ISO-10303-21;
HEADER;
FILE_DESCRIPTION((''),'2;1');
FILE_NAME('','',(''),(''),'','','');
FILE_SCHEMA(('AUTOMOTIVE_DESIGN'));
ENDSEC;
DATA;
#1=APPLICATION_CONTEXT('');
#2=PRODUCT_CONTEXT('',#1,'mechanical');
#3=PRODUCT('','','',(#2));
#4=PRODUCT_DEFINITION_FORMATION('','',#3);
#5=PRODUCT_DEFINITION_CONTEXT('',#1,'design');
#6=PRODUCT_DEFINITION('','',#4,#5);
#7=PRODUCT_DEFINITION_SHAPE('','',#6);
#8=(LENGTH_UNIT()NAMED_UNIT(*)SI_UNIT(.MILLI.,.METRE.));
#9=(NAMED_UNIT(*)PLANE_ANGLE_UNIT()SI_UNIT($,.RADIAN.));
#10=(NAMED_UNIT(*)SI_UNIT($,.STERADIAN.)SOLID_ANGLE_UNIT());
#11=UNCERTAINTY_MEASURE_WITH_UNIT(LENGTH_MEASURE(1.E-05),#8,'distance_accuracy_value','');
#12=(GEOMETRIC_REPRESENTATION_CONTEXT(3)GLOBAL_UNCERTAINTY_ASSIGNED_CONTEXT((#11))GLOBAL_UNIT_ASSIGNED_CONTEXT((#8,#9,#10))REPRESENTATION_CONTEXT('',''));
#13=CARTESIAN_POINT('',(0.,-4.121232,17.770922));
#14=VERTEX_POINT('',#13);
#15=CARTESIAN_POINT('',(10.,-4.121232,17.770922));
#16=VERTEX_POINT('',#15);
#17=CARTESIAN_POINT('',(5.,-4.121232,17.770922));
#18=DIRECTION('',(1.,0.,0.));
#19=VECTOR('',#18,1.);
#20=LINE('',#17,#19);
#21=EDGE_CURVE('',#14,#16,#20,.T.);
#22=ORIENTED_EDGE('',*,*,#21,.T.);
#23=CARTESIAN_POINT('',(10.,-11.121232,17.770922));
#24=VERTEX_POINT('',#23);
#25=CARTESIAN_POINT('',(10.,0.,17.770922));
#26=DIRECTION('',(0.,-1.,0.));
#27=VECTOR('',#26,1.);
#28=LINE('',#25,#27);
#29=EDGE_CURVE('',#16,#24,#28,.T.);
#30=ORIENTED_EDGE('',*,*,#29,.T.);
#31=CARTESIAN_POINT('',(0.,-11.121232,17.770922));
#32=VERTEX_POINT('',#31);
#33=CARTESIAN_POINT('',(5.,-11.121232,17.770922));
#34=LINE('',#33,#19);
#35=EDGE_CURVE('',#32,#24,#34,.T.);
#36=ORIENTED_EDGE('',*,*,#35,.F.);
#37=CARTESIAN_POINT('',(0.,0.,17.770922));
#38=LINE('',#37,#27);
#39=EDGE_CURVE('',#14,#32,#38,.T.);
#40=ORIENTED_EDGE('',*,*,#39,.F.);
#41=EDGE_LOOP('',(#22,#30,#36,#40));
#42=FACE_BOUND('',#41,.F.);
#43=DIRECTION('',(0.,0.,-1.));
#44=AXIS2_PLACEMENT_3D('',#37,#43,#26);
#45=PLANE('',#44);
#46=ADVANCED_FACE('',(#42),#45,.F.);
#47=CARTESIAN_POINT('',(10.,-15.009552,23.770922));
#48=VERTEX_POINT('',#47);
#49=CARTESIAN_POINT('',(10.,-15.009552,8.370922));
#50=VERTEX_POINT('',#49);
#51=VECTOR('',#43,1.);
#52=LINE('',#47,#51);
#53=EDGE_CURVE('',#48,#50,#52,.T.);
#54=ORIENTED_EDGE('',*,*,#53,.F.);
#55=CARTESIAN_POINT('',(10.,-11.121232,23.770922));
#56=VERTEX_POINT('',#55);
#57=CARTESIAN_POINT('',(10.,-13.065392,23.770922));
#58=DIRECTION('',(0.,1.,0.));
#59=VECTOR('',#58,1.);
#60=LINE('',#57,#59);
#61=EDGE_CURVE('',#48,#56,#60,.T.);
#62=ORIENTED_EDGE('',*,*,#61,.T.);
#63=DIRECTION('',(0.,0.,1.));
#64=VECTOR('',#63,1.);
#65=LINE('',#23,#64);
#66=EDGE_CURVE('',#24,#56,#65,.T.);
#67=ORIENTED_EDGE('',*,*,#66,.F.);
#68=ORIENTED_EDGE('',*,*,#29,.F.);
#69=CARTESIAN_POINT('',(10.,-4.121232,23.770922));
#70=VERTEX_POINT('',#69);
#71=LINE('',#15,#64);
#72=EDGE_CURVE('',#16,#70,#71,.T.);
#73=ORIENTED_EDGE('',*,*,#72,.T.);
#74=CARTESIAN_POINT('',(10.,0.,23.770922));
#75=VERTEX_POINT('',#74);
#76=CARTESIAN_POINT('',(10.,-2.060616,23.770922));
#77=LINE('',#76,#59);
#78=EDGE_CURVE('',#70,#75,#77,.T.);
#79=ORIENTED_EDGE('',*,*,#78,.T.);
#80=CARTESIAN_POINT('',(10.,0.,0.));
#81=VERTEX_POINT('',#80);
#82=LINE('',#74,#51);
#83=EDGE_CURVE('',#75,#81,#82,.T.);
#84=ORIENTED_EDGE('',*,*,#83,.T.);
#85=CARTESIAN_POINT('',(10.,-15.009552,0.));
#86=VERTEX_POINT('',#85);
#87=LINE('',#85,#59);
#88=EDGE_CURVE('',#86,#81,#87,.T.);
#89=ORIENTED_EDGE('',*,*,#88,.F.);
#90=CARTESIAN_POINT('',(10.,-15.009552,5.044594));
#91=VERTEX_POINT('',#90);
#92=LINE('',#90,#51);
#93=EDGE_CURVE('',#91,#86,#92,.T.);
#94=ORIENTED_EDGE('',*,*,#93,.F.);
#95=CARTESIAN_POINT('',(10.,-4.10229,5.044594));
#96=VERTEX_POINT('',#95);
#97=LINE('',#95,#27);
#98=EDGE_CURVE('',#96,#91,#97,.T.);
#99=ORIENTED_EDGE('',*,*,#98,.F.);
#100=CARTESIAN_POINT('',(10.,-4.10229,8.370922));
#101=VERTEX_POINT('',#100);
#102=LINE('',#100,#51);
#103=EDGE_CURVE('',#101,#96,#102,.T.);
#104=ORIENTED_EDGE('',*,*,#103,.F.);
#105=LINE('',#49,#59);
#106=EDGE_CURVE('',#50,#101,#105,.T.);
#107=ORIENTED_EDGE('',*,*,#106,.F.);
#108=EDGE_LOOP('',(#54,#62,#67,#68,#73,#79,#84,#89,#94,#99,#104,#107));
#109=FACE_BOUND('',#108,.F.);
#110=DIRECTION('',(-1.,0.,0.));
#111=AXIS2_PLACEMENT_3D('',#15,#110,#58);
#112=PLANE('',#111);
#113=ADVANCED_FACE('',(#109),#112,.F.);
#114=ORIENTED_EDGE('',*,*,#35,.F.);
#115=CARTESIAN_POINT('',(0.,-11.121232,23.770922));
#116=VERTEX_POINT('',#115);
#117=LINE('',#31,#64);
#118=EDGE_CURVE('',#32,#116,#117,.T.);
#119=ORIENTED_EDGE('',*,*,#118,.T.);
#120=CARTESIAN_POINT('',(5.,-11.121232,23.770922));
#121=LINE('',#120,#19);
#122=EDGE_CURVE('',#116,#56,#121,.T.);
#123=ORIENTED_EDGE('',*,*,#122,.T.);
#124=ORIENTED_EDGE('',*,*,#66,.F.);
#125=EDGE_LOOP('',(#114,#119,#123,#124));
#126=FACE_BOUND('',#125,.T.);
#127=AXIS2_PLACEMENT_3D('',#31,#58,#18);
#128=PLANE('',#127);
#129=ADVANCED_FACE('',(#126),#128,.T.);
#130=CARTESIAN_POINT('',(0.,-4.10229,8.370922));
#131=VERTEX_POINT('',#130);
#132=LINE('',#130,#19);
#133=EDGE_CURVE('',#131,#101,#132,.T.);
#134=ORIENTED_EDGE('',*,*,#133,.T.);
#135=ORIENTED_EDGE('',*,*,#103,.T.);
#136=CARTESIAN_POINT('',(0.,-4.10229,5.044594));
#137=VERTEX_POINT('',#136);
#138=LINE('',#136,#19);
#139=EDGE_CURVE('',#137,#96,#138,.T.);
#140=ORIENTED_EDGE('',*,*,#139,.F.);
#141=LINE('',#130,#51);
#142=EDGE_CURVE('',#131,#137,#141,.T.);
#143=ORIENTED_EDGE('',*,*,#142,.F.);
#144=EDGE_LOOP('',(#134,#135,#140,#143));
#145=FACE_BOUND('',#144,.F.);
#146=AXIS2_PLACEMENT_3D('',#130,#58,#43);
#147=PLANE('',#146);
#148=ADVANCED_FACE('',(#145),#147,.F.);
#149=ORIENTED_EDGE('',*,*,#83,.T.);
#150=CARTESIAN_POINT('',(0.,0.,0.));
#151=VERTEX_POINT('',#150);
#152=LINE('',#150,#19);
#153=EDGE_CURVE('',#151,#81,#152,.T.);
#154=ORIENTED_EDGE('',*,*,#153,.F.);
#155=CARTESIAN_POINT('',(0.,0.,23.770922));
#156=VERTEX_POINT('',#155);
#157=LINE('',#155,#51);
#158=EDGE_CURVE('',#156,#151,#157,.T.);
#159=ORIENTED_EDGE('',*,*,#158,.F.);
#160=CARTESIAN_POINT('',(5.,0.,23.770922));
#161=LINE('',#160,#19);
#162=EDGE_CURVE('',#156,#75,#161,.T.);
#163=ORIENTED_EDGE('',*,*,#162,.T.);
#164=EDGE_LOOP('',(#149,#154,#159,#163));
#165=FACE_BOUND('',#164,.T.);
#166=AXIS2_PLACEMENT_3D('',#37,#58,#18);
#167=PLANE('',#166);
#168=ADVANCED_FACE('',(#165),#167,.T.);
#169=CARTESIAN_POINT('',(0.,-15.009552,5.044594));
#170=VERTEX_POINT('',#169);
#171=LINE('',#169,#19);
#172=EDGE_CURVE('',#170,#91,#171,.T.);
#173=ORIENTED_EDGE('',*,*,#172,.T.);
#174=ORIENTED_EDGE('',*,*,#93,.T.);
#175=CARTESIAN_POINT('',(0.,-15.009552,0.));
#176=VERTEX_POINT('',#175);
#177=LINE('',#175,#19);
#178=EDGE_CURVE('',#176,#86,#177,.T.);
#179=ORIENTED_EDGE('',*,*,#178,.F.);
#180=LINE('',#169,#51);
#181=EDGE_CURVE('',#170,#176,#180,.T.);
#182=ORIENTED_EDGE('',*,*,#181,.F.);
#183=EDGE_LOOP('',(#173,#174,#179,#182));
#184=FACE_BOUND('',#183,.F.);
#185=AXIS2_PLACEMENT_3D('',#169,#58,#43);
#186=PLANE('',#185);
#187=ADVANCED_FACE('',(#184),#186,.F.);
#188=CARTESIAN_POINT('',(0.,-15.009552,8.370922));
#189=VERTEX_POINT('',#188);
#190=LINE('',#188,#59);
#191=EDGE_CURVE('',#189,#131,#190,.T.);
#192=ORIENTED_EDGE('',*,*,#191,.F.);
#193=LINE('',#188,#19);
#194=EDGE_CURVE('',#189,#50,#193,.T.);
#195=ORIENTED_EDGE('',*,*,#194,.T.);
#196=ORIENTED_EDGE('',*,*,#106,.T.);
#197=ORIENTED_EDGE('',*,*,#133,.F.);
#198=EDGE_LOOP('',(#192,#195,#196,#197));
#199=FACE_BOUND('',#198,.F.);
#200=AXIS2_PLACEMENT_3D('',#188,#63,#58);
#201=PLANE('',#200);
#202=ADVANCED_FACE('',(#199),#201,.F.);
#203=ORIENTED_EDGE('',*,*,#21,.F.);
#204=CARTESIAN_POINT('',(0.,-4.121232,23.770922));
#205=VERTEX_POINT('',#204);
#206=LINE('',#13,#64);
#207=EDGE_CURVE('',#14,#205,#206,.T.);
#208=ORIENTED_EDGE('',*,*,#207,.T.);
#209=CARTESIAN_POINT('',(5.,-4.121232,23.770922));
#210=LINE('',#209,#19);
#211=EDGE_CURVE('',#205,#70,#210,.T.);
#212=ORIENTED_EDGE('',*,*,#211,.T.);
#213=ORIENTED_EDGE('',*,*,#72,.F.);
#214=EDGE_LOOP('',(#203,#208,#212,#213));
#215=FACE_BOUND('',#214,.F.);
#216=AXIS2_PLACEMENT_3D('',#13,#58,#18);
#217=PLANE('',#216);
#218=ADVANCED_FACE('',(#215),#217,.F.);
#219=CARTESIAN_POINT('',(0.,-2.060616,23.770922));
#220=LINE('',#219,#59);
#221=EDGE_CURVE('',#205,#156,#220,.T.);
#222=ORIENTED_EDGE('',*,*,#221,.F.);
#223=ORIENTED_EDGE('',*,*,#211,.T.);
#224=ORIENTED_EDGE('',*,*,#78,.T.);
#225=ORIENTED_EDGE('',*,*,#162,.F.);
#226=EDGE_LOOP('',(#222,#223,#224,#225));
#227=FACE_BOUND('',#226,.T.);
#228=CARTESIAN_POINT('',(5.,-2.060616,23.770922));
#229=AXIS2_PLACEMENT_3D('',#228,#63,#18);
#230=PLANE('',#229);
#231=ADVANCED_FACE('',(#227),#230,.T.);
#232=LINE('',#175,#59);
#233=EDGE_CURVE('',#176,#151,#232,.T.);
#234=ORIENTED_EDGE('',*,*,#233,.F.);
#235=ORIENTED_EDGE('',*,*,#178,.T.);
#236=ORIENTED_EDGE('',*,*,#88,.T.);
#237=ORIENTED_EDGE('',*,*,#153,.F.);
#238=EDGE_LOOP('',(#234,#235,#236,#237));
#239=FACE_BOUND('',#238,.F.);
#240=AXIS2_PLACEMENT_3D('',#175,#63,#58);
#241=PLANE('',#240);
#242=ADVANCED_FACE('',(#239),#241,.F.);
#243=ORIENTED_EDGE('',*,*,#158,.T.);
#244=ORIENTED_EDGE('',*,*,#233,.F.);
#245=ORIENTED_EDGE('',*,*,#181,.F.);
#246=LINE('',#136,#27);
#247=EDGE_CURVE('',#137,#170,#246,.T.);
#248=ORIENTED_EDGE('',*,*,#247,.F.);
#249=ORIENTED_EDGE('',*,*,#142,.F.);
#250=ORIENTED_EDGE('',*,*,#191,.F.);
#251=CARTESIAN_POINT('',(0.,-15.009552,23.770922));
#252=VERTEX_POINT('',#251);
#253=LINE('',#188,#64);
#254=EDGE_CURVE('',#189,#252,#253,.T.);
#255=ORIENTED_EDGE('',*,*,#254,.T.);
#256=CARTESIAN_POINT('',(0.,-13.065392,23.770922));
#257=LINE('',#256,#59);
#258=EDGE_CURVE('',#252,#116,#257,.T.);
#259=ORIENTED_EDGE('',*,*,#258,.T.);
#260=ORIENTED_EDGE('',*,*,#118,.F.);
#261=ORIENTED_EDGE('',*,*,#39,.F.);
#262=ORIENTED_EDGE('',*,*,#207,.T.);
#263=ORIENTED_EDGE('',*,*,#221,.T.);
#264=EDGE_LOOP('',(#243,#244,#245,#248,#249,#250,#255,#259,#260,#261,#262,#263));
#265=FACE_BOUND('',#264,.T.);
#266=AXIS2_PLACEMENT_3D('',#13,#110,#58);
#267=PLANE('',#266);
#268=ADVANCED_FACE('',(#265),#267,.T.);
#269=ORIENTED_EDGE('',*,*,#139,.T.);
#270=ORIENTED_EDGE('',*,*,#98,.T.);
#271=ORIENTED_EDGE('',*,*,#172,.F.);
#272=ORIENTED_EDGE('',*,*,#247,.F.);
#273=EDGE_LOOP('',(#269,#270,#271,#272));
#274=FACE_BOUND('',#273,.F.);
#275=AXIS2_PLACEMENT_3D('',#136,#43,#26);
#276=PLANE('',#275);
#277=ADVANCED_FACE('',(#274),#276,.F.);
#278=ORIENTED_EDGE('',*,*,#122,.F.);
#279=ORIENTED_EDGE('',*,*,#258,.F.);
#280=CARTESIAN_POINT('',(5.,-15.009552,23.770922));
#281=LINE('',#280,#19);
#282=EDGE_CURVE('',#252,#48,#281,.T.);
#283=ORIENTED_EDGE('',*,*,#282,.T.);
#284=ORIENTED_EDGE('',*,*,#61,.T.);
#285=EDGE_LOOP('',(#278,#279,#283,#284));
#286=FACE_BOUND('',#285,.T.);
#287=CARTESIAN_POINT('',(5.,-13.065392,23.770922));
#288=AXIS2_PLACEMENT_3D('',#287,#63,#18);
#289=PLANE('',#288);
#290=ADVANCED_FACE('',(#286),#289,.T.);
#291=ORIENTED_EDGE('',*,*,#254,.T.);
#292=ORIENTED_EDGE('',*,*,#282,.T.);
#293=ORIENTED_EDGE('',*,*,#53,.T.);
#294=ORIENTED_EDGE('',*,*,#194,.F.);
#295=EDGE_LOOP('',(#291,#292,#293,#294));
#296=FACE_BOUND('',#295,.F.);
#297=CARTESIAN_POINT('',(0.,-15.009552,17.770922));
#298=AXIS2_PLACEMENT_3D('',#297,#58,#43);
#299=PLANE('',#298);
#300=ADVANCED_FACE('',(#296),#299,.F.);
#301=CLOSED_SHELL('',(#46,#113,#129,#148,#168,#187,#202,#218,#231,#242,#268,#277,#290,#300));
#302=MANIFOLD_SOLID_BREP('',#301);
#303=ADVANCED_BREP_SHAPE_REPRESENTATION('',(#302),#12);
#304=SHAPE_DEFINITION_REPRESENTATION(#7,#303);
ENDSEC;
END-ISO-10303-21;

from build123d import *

# Parameters (mm, degrees)
F1_DEPTH = 10
F2_W     = 10
F2_H     = 4.121232
F2_H_2   = 3.88832
F3_DEPTH = 6


with BuildPart() as f1:
    # F0 (on Right) → F1 (new body)
    with BuildSketch(Plane.YZ):
        Polygon((-15.009552, 0), (0, 0), (0, 17.770922), (-15.009552, 17.770922), (-15.009552, 8.370922), (-4.10229, 8.370922), (-4.10229, 5.044594), (-15.009552, 5.044594), align=None)
    extrude(amount=F1_DEPTH)

    # F2 (on face) → F3 (join)
    with BuildSketch(Plane.XY.offset(17.770922)):
        with Locations((5, -2.060616)):
            Rectangle(F2_W, F2_H)
        with Locations((5, -13.065392)):
            Rectangle(F2_W, F2_H_2)
    extrude(amount=F3_DEPTH)


solid = f1.part
